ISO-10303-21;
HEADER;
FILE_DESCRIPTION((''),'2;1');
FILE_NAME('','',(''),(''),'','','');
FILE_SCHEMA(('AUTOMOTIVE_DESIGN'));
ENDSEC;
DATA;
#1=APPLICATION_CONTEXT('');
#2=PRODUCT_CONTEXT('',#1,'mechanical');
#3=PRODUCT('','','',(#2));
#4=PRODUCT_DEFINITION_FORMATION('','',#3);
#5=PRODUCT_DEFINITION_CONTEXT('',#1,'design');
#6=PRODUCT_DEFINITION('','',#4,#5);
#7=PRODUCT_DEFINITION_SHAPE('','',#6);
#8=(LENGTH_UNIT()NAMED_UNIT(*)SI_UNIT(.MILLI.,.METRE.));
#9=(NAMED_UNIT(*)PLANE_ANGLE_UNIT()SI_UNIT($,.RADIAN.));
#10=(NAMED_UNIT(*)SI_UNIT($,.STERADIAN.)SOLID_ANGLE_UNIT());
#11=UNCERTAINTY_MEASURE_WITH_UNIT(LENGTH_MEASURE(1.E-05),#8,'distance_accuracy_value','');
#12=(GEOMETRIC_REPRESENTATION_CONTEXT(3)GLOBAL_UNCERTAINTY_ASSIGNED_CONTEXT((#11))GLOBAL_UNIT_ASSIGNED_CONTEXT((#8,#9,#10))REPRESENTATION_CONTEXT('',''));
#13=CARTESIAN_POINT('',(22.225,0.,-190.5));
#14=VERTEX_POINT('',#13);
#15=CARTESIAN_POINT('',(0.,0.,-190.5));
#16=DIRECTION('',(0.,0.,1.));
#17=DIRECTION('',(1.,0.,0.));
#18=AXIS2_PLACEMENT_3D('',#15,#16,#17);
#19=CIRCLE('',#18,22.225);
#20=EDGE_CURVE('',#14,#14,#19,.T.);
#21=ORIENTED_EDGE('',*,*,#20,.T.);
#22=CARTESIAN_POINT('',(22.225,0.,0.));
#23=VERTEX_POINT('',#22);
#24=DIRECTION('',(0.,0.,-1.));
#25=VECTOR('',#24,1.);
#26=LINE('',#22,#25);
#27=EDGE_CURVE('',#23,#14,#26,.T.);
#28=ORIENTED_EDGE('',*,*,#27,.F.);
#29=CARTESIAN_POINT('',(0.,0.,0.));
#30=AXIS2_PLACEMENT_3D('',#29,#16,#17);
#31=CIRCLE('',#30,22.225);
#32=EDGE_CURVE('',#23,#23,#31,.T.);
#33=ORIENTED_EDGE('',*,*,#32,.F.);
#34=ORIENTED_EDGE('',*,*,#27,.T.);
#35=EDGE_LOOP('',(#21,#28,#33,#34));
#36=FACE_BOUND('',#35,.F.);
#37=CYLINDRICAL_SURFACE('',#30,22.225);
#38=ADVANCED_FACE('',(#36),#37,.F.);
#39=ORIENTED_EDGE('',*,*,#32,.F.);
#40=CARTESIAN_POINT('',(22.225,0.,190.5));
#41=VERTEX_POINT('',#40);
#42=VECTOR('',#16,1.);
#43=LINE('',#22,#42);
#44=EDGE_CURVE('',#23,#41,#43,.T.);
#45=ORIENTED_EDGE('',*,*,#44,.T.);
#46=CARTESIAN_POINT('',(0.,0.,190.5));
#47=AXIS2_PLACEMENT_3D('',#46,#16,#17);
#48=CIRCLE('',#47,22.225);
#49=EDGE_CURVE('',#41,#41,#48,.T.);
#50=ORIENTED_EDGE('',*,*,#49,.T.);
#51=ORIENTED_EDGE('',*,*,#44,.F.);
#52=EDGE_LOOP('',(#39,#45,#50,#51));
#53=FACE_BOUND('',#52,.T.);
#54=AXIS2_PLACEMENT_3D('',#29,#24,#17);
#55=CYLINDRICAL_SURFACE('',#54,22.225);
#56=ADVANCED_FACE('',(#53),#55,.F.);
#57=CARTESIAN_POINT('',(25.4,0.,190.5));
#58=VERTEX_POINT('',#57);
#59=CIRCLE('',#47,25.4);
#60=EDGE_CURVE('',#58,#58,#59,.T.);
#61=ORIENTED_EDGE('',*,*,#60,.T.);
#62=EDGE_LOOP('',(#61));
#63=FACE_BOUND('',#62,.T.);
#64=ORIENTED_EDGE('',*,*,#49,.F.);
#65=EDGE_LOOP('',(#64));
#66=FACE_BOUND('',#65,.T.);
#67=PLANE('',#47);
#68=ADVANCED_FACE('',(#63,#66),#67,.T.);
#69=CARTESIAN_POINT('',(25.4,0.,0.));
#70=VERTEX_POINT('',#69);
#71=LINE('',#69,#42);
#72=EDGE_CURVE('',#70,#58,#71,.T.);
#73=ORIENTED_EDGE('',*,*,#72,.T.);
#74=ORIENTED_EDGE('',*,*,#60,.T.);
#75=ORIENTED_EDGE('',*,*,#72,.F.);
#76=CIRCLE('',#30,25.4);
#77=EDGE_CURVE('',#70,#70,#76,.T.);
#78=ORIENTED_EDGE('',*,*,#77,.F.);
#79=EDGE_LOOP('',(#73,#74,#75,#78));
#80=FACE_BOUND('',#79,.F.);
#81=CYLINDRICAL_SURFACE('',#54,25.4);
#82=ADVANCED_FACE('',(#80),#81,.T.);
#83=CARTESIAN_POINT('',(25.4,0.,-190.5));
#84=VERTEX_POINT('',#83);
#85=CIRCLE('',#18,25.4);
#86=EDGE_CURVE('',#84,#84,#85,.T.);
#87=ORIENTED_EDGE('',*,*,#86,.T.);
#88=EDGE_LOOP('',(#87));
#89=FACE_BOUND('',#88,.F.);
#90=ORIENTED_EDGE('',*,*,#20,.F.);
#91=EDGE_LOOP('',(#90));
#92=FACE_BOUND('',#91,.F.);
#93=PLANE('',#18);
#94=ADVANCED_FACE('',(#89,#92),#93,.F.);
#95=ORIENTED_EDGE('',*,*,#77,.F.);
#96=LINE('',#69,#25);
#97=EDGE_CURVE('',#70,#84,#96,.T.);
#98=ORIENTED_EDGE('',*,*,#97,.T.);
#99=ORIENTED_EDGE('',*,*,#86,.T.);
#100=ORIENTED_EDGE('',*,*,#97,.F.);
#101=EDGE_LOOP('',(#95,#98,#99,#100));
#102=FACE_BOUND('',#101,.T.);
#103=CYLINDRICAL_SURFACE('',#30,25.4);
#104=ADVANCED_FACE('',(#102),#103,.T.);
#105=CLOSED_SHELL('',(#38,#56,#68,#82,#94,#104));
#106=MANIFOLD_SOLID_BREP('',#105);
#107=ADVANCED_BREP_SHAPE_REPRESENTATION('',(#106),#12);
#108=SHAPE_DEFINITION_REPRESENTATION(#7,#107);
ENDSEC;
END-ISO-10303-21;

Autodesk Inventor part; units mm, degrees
ref_plane "YZ Plane" through (0, 0, 0) normal (1, 0, 0) x (0, 1, 0)
ref_plane "XZ Plane" through (0, 0, 0) normal (0, 1, 0) x (-1, 0, 0)
ref_plane "XY Plane" through (0, 0, 0) normal (0, 0, 1) x (1, 0, 0)
sketch "Sketch1" plane through (0, 0, 0) normal (0, 0, 1) x (1, 0, 0)
  circle A0 centre (0, 0) radius 25.4
  circle A1 centre (0, 0) radius 22.225
  dimension "d0" = 50.8
  dimension "d1" = 3.175
extrude "Extrusion1" add sketch "Sketch1" along normal mid plane 381
properties part number "EL2-A-002" material "Aluminum 6061"
